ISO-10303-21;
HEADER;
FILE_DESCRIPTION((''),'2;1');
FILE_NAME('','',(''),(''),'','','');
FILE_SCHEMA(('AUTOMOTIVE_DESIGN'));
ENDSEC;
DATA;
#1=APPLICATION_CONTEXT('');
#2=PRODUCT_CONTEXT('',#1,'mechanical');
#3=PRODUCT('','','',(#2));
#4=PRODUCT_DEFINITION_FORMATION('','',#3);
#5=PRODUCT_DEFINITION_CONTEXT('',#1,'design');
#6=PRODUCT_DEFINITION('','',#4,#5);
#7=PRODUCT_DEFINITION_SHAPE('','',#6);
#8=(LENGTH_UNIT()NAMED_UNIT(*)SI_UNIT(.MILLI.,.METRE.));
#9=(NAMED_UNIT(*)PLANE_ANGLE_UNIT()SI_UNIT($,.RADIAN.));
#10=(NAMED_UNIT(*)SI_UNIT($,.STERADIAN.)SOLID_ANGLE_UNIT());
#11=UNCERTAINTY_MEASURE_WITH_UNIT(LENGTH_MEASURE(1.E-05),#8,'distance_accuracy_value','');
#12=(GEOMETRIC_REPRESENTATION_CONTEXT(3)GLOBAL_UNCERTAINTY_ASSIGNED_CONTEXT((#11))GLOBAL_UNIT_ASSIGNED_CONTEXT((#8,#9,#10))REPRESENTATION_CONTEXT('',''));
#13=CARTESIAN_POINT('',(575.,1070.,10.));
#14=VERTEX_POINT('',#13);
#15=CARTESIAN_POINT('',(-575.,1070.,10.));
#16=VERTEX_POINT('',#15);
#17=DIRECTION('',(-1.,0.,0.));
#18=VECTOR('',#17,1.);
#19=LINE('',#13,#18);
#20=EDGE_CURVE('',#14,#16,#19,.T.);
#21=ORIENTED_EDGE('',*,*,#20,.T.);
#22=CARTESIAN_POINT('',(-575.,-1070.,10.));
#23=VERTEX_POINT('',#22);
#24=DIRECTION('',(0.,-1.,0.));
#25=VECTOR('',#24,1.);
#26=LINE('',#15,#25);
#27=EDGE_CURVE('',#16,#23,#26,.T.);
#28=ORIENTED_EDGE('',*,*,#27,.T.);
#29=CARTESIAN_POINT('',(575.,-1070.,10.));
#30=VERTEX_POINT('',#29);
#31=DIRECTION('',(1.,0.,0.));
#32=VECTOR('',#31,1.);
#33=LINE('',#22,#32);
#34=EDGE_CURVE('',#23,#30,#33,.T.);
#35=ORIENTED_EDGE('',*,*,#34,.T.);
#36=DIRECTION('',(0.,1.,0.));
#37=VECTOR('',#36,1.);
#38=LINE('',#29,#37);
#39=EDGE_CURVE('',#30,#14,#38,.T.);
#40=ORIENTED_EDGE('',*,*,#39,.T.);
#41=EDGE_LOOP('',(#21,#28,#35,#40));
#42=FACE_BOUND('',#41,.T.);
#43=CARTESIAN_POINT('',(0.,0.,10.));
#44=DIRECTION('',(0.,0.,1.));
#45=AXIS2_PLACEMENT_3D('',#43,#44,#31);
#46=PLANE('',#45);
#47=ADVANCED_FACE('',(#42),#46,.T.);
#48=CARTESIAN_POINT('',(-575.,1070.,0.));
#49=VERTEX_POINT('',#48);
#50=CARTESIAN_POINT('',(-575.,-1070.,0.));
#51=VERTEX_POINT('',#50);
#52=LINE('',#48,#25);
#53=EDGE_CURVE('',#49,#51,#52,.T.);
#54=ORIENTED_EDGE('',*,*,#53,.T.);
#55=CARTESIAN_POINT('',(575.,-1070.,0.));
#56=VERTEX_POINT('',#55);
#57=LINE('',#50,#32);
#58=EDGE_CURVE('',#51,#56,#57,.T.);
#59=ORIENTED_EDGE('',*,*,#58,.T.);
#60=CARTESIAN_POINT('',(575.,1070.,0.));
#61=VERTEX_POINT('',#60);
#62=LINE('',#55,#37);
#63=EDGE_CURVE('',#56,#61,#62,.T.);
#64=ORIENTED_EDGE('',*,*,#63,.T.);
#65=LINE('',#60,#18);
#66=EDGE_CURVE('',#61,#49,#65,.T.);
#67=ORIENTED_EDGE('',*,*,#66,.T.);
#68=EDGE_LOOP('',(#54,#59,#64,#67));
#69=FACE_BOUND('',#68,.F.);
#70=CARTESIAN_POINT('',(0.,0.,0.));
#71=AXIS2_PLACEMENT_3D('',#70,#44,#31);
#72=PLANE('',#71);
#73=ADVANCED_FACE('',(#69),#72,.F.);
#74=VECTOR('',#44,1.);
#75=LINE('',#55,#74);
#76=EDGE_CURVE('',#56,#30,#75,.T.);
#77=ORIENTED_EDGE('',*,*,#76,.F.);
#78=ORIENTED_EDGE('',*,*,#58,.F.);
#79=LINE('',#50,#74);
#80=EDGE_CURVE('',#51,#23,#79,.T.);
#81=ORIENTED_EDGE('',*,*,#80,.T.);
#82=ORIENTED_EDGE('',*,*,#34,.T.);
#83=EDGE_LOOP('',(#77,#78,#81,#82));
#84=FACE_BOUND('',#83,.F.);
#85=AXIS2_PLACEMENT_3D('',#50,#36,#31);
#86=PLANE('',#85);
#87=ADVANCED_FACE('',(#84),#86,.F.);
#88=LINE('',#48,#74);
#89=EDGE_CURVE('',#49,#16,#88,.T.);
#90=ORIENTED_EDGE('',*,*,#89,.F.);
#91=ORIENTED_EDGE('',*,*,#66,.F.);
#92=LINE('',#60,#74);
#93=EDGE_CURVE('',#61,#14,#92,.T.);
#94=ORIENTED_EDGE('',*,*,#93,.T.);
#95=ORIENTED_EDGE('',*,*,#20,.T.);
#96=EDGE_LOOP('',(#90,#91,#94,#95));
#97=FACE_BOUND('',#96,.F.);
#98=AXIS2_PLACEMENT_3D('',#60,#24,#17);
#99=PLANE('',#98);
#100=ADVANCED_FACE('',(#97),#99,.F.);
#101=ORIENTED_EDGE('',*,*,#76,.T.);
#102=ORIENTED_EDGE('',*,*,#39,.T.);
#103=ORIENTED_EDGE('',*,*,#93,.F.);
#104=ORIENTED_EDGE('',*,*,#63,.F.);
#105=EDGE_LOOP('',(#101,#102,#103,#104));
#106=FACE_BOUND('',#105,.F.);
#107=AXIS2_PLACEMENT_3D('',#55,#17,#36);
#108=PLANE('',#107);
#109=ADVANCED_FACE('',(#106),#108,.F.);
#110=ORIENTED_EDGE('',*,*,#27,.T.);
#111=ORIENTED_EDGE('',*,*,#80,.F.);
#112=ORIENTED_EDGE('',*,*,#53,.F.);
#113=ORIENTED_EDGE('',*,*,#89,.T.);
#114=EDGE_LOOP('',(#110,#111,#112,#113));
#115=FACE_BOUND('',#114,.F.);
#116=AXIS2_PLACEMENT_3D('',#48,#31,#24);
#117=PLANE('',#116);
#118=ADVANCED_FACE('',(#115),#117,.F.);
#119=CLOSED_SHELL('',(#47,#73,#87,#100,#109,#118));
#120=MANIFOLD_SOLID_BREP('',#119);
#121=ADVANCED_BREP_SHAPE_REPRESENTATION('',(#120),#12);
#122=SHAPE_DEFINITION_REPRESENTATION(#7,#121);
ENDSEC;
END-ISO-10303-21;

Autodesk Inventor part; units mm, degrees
ref_plane "YZ Plane" through (0, 0, 0) normal (1, 0, 0) x (0, 1, 0)
ref_plane "XZ Plane" through (0, 0, 0) normal (0, 1, 0) x (-1, 0, 0)
ref_plane "XY Plane" through (0, 0, 0) normal (0, 0, 1) x (1, 0, 0)
sketch "Sketch1" plane through (0, 0, 0) normal (0, 0, 1) x (1, 0, 0)
  line L0 (-575, -1070) -> (575, -1070)
  line L1 (575, -1070) -> (575, 1070)
  line L2 (575, 1070) -> (-575, 1070)
  line L3 (-575, 1070) -> (-575, -1070)
  line L4 (-575, -1070) -> (575, 1070) construction
  line L5 (575, -1070) -> (-575, 1070) construction
  point P0 (0, 0)
  dimension "d1" = 1150
  dimension "d2" = 2140
extrude "Plate1" add sketch "Sketch1" along normal blind 10
equation "\"d0\" = Thickness"
equation "\"BendReliefDepth\" = 0.5 * Thickness"
equation "\"Thickness\" = 10"
properties part number "DF1.04 Wall face v2.0"
